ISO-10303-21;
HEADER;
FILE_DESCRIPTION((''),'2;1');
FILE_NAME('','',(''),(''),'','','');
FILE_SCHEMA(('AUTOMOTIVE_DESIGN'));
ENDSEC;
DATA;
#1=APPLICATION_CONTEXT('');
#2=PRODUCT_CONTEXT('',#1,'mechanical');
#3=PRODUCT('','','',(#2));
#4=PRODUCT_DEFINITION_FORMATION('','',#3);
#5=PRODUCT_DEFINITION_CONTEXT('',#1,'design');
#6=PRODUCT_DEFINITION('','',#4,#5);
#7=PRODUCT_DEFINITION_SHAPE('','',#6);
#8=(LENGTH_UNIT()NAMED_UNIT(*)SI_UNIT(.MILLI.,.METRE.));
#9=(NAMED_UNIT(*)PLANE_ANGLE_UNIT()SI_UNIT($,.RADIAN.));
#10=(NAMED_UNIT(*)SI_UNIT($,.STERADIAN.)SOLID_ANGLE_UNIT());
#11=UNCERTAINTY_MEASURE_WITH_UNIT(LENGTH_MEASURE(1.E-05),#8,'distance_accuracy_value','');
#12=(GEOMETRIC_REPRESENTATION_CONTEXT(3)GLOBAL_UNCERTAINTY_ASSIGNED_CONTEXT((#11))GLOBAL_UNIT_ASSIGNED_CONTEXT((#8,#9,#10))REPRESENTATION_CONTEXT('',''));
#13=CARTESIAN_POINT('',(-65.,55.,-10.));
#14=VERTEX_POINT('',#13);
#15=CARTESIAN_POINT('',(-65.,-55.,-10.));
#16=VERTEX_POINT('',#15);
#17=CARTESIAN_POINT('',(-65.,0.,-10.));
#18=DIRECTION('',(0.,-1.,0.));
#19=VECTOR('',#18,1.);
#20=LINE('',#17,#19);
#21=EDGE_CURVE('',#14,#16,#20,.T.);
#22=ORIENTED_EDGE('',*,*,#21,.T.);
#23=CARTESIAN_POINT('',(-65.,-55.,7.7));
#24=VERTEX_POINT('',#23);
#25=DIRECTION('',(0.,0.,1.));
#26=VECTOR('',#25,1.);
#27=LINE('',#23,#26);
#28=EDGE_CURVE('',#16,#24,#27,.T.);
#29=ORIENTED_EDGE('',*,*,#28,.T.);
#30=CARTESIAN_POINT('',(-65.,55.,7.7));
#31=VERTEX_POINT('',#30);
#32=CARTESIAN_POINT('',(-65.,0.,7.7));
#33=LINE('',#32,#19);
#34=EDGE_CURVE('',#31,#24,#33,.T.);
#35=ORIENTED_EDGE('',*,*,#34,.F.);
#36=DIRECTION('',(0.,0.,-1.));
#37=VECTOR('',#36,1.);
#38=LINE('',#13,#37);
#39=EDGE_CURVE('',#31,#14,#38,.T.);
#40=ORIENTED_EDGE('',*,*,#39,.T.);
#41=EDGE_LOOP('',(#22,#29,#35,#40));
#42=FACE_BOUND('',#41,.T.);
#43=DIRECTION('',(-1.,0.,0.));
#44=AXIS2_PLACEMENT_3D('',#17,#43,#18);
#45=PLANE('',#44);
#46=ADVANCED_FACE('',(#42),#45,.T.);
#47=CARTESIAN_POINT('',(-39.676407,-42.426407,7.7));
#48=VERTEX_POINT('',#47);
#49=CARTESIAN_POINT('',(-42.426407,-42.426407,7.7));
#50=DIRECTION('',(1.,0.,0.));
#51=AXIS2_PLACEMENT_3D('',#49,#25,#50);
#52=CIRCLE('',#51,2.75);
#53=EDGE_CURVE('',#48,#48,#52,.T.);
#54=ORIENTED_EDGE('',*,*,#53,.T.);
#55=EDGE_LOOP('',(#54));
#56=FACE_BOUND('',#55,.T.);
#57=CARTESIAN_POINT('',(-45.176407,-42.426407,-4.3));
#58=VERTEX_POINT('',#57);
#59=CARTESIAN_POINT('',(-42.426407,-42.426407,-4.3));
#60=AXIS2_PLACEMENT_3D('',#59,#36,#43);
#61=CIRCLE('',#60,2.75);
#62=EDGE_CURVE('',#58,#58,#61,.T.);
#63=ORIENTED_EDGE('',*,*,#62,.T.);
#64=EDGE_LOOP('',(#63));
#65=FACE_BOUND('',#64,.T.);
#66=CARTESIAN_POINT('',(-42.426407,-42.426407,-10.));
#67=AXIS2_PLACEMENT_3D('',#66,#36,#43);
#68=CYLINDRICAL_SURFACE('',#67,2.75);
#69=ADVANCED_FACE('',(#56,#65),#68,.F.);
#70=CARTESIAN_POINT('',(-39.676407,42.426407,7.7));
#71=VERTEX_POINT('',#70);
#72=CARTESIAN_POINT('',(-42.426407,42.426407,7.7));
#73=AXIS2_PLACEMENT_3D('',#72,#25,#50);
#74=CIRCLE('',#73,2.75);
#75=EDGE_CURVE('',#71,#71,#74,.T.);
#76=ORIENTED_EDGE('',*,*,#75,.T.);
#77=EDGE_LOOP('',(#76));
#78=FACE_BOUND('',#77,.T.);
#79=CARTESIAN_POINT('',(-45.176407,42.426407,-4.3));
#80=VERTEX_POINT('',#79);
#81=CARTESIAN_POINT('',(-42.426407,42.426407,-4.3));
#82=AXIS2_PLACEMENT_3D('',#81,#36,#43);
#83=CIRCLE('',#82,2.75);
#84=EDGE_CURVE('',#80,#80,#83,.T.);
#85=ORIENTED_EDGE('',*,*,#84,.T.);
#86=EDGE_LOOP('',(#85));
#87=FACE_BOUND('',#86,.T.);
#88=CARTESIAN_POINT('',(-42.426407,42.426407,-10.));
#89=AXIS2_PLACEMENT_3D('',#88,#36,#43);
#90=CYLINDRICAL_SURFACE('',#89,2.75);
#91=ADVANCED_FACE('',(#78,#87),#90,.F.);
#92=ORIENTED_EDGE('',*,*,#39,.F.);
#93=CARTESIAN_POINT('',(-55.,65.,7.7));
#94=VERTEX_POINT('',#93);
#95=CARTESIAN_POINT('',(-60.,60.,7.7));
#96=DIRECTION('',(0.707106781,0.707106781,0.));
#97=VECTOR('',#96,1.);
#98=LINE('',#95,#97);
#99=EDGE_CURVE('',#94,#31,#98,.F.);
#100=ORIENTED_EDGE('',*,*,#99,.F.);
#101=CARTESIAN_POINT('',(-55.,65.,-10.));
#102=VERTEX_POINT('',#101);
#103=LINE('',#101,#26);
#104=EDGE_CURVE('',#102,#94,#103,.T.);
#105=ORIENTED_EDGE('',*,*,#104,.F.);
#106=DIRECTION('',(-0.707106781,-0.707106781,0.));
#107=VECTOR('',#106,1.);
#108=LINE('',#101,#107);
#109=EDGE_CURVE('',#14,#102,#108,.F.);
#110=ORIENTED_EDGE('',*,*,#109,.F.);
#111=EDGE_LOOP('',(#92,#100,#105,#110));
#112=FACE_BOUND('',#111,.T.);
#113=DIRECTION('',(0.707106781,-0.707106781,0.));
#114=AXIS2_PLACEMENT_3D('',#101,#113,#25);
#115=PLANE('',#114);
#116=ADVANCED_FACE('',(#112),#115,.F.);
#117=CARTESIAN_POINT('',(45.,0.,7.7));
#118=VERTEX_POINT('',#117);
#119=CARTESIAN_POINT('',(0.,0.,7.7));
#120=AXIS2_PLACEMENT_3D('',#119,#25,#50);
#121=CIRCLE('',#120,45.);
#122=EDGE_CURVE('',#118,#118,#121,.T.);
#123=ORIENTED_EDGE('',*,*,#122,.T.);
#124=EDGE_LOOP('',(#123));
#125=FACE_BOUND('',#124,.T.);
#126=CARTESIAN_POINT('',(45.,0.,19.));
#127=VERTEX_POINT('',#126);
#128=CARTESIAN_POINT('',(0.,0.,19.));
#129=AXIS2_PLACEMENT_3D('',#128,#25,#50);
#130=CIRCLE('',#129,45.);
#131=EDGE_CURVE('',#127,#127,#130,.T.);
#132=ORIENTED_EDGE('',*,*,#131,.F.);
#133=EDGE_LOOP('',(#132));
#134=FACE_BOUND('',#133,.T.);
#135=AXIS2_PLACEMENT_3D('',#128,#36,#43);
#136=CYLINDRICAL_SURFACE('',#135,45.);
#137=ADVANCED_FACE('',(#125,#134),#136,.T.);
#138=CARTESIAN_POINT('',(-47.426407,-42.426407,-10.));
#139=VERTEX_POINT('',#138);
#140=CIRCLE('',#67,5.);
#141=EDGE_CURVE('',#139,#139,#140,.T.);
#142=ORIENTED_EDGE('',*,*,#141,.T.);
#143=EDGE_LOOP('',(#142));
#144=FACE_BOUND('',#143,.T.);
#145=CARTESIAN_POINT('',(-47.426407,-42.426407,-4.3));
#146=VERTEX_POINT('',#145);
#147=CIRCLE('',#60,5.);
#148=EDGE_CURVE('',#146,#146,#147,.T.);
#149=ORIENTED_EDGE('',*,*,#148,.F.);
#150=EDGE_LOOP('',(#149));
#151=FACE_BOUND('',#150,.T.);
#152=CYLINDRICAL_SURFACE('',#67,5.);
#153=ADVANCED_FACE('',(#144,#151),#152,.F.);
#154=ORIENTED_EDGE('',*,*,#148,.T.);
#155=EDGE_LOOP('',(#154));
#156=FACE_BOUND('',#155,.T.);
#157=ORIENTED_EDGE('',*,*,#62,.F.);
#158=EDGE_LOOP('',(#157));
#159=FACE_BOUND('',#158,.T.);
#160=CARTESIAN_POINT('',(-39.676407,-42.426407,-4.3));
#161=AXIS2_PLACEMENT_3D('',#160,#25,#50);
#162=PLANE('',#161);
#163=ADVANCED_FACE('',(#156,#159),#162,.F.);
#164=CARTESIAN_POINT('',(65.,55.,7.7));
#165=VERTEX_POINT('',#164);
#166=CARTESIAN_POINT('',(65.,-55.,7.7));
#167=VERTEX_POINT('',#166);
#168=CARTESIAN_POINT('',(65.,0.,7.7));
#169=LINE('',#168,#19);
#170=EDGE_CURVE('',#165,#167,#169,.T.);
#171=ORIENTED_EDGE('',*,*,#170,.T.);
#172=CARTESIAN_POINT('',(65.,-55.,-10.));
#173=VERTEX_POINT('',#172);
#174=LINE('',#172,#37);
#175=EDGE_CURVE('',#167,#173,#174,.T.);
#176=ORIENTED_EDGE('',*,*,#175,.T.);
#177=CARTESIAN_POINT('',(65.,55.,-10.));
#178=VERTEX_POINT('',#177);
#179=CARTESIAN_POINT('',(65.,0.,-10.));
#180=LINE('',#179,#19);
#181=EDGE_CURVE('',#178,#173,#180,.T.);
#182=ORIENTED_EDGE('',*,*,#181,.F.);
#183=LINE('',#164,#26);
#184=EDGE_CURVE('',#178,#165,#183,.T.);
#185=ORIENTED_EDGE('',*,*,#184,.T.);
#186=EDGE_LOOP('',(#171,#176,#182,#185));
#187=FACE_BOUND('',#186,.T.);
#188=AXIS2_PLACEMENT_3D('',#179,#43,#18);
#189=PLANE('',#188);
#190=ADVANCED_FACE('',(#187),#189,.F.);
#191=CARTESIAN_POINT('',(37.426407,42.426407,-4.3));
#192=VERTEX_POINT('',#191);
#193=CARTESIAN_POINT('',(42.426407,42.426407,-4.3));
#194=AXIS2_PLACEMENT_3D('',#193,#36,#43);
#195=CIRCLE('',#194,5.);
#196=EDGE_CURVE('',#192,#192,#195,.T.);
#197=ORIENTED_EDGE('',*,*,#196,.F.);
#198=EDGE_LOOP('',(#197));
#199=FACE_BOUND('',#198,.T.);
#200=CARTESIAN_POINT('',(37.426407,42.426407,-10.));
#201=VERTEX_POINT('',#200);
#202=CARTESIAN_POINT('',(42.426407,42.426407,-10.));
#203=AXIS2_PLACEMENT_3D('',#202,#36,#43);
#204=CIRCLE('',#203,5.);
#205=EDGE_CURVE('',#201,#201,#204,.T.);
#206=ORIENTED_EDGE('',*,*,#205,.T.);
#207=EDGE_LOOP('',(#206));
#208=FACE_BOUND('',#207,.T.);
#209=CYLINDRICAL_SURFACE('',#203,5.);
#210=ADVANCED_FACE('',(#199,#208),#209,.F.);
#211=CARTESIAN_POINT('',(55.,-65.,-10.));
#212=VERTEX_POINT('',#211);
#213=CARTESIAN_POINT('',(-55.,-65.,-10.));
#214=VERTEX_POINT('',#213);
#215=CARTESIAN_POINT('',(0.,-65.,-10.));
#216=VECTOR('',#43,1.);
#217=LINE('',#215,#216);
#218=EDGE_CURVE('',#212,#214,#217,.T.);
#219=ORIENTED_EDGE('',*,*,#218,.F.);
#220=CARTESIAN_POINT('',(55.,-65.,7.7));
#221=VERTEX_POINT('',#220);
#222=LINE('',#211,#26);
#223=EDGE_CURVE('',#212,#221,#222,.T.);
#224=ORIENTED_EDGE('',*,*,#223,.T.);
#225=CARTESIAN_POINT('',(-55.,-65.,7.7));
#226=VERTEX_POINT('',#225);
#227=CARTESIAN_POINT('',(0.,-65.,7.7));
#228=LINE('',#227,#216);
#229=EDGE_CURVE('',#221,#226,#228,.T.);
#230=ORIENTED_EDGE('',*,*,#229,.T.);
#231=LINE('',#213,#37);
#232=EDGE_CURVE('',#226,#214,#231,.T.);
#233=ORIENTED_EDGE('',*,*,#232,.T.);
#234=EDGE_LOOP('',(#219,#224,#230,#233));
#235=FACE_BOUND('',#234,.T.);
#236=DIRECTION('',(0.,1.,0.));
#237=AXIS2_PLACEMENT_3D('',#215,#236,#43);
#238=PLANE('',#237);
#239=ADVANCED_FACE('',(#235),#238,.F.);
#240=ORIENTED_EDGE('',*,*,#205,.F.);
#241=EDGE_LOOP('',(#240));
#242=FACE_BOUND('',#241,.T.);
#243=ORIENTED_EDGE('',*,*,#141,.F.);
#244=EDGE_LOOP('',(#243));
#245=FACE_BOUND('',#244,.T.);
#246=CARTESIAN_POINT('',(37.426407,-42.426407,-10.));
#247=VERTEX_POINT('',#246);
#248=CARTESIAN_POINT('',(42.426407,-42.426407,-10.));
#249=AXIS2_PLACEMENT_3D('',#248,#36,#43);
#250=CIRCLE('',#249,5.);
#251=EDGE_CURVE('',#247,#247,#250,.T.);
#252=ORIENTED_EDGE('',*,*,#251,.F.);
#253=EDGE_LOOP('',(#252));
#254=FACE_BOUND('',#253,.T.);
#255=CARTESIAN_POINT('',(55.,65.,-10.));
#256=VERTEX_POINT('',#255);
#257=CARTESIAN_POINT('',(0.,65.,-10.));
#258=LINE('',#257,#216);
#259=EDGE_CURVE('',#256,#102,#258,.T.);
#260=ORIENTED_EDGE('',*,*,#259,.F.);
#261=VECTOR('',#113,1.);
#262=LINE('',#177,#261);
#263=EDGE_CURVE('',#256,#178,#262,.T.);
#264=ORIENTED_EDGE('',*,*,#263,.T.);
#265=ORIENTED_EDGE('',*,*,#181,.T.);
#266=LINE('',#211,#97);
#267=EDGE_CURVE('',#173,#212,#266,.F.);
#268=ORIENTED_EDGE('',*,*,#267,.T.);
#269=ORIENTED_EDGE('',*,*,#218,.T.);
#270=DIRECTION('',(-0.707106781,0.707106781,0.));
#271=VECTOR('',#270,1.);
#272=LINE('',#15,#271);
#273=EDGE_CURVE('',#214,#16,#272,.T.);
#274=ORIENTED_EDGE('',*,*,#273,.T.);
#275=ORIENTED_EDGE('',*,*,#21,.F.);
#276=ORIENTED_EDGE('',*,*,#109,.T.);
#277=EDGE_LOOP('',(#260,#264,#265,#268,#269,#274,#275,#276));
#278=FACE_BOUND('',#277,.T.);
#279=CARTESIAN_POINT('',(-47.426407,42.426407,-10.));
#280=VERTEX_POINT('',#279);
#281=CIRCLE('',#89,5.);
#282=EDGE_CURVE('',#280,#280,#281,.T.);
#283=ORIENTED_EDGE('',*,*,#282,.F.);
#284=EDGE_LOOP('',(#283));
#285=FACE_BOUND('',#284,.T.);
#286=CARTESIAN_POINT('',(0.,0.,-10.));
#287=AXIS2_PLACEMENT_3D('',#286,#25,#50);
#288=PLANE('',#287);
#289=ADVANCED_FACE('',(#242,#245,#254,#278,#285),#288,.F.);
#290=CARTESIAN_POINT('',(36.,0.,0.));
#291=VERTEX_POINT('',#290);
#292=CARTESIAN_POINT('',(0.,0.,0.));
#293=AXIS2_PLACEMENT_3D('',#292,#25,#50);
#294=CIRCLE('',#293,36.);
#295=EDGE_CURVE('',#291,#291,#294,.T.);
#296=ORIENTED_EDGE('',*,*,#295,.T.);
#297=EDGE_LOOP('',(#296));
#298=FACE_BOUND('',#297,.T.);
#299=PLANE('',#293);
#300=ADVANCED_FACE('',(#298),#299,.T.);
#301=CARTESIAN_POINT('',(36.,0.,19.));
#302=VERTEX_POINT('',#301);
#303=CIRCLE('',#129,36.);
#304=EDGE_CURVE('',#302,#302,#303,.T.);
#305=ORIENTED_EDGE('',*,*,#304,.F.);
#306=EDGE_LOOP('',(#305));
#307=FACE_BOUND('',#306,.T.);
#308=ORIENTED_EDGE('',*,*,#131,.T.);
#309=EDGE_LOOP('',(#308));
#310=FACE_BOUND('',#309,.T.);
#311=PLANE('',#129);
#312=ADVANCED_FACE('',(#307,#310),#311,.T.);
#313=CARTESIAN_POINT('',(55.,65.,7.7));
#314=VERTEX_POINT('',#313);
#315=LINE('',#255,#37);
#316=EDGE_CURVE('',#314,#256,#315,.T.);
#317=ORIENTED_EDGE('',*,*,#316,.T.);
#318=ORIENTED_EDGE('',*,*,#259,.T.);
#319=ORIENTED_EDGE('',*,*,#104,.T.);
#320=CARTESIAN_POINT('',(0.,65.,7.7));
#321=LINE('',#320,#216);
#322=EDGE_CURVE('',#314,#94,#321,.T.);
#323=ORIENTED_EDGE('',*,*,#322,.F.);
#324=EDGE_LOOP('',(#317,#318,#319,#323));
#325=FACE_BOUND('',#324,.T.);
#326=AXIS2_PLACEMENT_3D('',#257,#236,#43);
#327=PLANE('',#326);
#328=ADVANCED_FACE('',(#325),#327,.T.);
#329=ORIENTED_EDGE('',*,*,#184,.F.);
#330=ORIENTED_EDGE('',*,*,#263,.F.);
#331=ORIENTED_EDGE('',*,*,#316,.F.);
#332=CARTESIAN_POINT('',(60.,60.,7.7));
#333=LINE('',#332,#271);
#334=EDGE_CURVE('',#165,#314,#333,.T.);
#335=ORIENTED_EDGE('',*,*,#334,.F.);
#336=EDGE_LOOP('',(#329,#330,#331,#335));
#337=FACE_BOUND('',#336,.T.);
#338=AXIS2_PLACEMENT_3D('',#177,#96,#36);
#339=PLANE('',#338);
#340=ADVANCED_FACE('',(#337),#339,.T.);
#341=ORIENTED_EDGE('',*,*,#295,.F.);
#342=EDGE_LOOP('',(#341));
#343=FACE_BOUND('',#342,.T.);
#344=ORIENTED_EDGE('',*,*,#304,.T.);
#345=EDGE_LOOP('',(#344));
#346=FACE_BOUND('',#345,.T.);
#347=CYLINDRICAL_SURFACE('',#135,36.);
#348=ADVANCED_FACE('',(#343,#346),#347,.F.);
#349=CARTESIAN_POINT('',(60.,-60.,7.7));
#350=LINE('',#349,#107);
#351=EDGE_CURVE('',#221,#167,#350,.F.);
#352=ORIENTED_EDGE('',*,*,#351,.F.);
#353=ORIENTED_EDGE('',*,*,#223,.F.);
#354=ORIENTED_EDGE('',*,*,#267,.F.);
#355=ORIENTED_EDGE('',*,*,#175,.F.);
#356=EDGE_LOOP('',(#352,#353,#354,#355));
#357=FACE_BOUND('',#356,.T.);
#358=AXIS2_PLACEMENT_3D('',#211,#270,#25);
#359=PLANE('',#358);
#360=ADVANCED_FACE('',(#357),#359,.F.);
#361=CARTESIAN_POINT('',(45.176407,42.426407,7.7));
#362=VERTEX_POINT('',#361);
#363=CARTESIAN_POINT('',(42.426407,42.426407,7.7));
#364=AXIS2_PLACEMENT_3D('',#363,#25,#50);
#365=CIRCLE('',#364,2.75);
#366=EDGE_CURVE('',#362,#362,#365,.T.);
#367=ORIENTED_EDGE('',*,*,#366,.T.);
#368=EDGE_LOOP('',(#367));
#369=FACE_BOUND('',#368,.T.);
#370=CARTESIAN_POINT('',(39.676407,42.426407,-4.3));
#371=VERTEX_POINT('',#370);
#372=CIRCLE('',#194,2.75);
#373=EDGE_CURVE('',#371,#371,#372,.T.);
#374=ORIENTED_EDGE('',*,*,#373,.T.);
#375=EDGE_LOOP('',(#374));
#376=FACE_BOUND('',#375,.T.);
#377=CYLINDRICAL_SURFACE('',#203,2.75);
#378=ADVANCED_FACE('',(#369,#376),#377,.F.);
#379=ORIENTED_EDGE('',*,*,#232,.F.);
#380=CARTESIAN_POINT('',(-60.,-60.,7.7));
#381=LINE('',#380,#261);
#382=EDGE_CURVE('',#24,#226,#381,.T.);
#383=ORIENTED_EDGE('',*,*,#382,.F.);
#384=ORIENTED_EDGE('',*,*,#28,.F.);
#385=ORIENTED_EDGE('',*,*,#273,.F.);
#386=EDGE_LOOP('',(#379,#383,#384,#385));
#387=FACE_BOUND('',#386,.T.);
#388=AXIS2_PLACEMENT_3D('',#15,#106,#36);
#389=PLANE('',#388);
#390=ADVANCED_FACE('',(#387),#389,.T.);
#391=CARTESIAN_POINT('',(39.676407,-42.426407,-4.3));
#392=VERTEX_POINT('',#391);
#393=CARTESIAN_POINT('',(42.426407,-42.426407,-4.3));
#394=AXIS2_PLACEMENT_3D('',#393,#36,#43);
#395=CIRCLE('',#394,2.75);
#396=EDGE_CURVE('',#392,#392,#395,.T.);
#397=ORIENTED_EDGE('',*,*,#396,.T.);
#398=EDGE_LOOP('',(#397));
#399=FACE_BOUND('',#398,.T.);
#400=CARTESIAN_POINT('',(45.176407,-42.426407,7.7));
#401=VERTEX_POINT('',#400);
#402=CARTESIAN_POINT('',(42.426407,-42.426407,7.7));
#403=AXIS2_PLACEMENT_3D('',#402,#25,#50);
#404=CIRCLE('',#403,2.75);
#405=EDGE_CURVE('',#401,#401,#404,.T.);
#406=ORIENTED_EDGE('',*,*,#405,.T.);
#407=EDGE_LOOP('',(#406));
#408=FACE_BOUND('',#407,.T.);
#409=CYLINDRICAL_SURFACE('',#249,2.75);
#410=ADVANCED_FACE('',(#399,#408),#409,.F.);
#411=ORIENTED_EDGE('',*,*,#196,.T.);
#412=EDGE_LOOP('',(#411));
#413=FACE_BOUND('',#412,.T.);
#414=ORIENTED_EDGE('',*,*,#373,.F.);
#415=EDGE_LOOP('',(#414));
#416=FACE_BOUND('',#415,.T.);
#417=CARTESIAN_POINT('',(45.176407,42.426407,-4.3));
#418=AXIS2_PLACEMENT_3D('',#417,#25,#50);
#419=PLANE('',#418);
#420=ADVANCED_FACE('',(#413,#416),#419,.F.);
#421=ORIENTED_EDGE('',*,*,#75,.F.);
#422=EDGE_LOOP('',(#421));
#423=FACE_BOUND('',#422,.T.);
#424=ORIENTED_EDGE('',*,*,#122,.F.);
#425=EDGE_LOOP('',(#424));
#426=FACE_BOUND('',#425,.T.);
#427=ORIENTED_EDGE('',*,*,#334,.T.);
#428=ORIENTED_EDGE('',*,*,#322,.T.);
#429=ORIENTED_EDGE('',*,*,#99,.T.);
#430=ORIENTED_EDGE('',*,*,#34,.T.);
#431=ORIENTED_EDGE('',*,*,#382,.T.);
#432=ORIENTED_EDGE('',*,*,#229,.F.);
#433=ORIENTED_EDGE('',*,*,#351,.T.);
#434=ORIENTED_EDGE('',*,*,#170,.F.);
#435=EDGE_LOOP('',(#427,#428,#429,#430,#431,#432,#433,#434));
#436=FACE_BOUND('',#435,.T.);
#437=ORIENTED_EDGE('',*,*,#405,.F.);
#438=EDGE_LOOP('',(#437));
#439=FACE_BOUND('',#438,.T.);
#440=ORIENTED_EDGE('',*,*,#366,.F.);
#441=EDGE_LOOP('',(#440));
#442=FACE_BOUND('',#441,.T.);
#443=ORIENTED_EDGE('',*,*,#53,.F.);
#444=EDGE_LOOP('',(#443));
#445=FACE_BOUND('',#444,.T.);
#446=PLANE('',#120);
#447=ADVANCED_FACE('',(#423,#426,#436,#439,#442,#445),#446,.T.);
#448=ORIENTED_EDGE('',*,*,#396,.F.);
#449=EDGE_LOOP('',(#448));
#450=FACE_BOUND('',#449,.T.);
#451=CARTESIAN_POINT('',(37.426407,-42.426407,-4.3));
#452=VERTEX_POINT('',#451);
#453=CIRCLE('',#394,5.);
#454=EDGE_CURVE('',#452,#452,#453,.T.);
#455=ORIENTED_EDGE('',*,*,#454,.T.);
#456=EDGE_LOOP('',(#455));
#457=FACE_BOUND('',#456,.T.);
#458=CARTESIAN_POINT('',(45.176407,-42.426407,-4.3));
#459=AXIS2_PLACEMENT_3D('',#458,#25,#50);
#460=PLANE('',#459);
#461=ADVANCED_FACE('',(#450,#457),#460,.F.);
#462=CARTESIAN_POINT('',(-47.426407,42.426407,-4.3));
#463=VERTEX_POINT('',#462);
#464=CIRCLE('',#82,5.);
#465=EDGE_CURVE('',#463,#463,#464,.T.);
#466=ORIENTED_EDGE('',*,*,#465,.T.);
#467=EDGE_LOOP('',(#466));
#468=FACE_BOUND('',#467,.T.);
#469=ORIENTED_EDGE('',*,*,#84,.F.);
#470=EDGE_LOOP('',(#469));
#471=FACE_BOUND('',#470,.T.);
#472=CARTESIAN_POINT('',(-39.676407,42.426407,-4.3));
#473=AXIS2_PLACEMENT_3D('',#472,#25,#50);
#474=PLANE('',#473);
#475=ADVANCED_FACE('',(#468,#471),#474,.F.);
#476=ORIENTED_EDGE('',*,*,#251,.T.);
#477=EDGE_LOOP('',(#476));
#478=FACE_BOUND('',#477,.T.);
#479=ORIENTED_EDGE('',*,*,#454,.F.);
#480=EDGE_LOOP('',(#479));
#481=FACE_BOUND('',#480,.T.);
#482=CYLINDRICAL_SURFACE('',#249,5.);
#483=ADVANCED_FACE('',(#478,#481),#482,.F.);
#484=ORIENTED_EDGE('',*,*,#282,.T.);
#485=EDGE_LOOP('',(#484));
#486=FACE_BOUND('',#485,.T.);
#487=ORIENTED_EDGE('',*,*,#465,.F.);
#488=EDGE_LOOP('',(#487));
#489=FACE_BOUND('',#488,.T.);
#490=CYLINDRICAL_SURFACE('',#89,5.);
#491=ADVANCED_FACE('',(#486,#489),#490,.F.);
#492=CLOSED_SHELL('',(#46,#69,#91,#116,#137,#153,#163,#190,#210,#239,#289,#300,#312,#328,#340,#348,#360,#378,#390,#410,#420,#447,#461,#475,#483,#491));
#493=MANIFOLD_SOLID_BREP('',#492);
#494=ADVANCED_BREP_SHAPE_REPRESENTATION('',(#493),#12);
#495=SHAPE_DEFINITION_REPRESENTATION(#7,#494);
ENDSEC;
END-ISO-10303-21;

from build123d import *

# Parameters (mm, degrees)
SKETCH_1_R                = 45
SKETCH_1_R_2              = 36
EXTRUDE_1_DEPTH           = 19
SKETCH_1_3_W              = 130
SKETCH_1_3_H              = 130
SKETCH_1_3_R              = 2.5
EXTRUDE_2_DEPTH           = 10
EXTRUDE_START             = 7.7
SKETCH_1_4_W              = 130
SKETCH_1_4_H              = 130
SKETCH_1_4_R              = 2.5
SKETCH_1_4_R_2            = 45
EXTRUDE_3_DEPTH           = 7.7
HOLE_WIZARD_1_D           = 5.5
HOLE_WIZARD_1_CBORE_D     = 10
HOLE_WIZARD_1_CBORE_DEPTH = 5.7
CHAMFER_1_SIZE            = 10


with BuildPart() as part:
    # 草图1 → 凸台-拉伸1 (new body)
    with BuildSketch(Plane.XY):
        Circle(SKETCH_1_R)
        Circle(SKETCH_1_R_2, mode=Mode.SUBTRACT)
    extrude(amount=EXTRUDE_1_DEPTH)

    # 草图1<3> → 凸台-拉伸2 (add)
    with BuildSketch(Plane.XY):
        Rectangle(SKETCH_1_3_W, SKETCH_1_3_H)
        with Locations((-42.426406871, -42.426406871)):
            Circle(SKETCH_1_3_R, mode=Mode.SUBTRACT)
        with Locations((42.426406871, -42.426406871)):
            Circle(SKETCH_1_3_R, mode=Mode.SUBTRACT)
        with Locations((-42.426406871, 42.426406871)):
            Circle(SKETCH_1_3_R, mode=Mode.SUBTRACT)
        with Locations((42.426406871, 42.426406871)):
            Circle(SKETCH_1_3_R, mode=Mode.SUBTRACT)
    extrude(amount=-EXTRUDE_2_DEPTH)

    # 草图1<4> → 凸台-拉伸3 (add)
    with BuildSketch(Plane.XY.offset(EXTRUDE_START)):
        Rectangle(SKETCH_1_4_W, SKETCH_1_4_H)
        with Locations((-42.426406871, -42.426406871)):
            Circle(SKETCH_1_4_R, mode=Mode.SUBTRACT)
        with Locations((42.426406871, -42.426406871)):
            Circle(SKETCH_1_4_R, mode=Mode.SUBTRACT)
        with Locations((-42.426406871, 42.426406871)):
            Circle(SKETCH_1_4_R, mode=Mode.SUBTRACT)
        Circle(SKETCH_1_4_R_2, mode=Mode.SUBTRACT)
        with Locations((42.426406871, 42.426406871)):
            Circle(SKETCH_1_4_R, mode=Mode.SUBTRACT)
    extrude(amount=-EXTRUDE_3_DEPTH)

    # 打孔尺寸(%根据)内六角圆柱头螺钉的类型1 (through all)
    with Locations(Plane(origin=(0, 0, -10), x_dir=(-1, 0, 0), z_dir=(0, 0, -1))):
        with Locations((42.426406871, 42.426406871), (-42.426406871, 42.426406871), (42.426406871, -42.426406871), (-42.426406871, -42.426406871)):
            CounterBoreHole(HOLE_WIZARD_1_D / 2, HOLE_WIZARD_1_CBORE_D / 2, HOLE_WIZARD_1_CBORE_DEPTH)

    # 倒角1
    chamfer_1_edges = [part.edges().sort_by_distance(p)[0] for p in [
        (-65, -65, -1.15),
        (-65, 65, -1.15),
        (65, -65, -1.15),
        (65, 65, -1.15),
    ]]
    chamfer(chamfer_1_edges, length=CHAMFER_1_SIZE)


solid = part.part
